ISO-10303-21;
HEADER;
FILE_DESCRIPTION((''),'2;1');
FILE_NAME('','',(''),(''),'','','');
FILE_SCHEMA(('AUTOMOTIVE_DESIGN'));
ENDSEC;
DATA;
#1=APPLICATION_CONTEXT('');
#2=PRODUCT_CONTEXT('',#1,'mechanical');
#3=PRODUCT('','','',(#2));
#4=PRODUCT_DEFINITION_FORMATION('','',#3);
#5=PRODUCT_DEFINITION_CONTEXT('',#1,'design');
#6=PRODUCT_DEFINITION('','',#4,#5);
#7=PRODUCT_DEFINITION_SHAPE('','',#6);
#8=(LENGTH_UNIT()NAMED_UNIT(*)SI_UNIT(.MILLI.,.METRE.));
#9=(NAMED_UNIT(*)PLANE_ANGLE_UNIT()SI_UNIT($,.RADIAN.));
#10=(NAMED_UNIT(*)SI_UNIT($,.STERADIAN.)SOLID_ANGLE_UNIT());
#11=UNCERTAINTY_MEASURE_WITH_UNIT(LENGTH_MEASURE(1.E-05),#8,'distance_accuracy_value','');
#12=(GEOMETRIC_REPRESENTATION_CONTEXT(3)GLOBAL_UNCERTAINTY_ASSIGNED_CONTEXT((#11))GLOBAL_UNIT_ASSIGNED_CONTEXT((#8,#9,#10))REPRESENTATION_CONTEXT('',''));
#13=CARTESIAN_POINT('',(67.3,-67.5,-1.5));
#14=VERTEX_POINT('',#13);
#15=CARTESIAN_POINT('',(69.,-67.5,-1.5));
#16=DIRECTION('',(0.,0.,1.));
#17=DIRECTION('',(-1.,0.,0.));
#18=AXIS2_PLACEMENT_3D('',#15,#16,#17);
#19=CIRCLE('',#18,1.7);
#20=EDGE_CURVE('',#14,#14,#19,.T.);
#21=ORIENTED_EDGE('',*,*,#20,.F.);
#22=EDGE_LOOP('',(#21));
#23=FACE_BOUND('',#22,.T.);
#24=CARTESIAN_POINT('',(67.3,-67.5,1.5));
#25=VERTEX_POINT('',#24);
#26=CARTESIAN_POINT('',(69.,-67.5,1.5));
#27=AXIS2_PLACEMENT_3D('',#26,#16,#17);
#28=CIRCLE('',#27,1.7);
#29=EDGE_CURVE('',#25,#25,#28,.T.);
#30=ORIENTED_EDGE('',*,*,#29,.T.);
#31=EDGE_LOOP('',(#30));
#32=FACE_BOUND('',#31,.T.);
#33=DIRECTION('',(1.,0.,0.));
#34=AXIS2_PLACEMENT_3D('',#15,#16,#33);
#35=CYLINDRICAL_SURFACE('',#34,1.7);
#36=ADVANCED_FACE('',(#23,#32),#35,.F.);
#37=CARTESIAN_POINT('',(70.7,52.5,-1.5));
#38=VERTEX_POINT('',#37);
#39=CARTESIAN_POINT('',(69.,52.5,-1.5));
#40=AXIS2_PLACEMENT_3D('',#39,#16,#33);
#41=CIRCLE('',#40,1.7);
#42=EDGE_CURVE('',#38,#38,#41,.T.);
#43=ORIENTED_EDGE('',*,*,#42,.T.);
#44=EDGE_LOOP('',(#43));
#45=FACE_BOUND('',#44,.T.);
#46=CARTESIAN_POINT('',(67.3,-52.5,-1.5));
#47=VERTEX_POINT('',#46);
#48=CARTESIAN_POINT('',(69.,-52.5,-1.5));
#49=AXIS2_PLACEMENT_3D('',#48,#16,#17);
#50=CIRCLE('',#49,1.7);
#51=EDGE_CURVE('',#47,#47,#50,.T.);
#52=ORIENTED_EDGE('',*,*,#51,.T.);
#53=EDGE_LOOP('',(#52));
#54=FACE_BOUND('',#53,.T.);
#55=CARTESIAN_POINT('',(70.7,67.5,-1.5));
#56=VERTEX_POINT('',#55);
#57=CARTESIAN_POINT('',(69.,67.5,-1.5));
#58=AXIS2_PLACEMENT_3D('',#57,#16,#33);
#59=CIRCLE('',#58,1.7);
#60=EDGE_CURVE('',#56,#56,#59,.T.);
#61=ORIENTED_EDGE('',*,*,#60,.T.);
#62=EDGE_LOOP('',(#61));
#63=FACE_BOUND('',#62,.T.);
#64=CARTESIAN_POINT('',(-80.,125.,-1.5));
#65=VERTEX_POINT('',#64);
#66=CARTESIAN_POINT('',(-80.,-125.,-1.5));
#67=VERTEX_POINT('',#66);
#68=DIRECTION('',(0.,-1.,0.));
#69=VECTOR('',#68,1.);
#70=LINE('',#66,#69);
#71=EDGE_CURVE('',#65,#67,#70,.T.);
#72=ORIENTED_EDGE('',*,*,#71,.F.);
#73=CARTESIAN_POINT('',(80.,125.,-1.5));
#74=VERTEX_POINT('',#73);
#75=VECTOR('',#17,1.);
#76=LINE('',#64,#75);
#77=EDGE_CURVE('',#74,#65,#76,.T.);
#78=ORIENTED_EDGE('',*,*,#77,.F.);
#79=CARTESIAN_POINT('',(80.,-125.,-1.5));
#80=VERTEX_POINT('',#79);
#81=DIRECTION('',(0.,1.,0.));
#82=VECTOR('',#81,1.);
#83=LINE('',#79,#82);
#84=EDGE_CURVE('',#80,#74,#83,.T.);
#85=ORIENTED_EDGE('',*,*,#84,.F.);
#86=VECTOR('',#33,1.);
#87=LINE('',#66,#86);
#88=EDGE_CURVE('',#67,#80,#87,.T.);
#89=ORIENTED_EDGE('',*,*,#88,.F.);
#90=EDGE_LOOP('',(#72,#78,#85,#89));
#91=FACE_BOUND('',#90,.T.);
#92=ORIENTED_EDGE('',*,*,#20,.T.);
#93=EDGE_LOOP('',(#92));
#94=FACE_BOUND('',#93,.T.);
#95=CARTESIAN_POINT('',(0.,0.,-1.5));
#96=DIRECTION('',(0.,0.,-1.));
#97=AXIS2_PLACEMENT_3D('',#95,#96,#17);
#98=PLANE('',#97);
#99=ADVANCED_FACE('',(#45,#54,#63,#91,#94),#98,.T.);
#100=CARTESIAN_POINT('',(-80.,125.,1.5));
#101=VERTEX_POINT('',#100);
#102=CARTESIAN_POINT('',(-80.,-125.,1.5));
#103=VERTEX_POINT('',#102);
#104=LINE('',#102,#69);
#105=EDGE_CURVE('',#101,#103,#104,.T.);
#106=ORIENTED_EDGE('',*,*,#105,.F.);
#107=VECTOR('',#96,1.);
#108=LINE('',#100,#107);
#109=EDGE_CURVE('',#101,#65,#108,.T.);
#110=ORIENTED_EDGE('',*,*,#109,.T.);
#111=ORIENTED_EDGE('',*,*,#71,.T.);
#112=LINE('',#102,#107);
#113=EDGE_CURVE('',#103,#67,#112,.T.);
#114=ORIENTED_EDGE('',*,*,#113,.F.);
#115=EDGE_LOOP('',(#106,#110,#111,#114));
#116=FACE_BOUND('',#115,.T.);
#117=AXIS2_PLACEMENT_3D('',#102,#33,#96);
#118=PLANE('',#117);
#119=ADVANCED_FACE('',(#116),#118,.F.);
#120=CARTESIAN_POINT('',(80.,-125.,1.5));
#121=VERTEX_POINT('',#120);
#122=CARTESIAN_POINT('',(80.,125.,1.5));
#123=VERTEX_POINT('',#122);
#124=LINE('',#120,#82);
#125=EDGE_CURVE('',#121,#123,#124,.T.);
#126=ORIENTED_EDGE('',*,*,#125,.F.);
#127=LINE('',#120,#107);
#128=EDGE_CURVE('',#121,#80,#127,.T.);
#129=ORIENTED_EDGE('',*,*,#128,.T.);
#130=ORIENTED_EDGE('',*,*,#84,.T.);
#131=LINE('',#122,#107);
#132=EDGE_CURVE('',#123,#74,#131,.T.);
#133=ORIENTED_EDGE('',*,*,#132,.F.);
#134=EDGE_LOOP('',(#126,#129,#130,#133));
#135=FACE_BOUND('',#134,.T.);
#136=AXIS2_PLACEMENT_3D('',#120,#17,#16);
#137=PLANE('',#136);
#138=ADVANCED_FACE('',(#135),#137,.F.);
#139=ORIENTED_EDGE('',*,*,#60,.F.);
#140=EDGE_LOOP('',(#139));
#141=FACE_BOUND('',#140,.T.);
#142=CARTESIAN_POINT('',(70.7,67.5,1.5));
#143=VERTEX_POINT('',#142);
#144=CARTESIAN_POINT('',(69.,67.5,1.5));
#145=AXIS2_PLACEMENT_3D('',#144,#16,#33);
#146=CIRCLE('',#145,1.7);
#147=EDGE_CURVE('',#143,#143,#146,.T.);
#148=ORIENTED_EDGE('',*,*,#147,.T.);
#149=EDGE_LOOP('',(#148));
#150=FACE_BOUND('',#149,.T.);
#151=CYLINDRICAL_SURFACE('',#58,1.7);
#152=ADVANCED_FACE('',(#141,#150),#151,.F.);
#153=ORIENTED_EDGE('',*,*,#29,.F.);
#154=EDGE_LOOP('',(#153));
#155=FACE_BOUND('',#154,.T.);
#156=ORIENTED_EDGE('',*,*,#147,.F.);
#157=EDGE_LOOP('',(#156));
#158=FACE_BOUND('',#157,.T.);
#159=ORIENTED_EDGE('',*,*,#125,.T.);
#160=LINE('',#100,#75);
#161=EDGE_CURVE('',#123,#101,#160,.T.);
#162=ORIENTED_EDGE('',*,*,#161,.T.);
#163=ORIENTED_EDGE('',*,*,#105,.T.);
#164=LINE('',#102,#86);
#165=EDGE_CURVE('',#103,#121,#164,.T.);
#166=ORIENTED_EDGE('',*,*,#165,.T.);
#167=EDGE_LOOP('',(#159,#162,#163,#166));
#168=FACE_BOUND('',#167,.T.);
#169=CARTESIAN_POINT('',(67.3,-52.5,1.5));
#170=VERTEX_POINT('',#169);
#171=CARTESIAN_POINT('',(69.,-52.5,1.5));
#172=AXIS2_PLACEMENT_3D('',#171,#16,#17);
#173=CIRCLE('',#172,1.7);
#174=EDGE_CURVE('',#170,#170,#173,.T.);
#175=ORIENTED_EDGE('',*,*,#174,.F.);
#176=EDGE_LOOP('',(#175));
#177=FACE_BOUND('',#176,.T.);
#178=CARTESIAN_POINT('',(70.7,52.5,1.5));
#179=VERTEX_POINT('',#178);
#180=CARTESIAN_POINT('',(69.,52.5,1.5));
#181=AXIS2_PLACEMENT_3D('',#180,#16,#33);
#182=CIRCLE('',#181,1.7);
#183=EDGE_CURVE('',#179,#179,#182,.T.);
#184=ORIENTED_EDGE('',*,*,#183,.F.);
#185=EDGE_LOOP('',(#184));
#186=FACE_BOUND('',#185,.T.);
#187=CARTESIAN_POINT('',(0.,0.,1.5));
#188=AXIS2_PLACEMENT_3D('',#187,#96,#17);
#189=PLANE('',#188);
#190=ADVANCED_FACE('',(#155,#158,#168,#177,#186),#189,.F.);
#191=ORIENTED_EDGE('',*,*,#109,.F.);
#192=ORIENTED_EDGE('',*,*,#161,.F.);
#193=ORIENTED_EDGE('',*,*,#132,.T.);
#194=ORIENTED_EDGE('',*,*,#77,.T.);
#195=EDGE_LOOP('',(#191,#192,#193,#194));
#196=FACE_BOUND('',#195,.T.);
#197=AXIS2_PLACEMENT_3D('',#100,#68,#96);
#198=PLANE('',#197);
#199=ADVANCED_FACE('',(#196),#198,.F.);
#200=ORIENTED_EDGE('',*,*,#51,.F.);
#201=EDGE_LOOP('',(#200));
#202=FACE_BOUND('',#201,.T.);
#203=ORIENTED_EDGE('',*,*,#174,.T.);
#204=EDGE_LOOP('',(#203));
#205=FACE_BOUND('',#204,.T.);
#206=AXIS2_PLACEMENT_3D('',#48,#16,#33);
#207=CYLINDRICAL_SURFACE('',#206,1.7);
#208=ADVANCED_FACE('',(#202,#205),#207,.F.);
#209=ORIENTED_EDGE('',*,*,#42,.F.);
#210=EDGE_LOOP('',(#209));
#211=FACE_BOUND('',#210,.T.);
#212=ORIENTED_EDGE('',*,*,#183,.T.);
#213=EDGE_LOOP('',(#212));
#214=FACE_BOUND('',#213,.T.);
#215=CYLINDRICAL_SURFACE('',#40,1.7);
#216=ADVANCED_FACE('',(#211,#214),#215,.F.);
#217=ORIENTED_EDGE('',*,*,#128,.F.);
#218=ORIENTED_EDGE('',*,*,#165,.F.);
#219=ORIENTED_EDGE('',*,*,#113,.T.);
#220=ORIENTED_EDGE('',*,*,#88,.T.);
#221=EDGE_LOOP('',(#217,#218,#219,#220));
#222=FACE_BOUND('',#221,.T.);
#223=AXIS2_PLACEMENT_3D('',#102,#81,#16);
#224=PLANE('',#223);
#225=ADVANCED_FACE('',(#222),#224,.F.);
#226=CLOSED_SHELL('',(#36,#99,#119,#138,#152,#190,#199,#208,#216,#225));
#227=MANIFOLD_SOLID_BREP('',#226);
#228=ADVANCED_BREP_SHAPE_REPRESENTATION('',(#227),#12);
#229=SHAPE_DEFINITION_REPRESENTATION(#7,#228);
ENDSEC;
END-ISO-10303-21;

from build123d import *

# Parameters (mm, degrees)
ESQUISSE1_W             = 160
ESQUISSE1_H             = 250
BOSS_EXTRU_1_DEPTH      = 1.5
ESQUISSE2_R             = 1.7
ENL_V_MAT_EXTRU_1_DEPTH = 4


with BuildPart() as part:
    # Esquisse1 → Boss.-Extru.1 (new body, symmetric)
    with BuildSketch(Plane.XY):
        Rectangle(ESQUISSE1_W, ESQUISSE1_H)
    extrude(amount=BOSS_EXTRU_1_DEPTH, both=True)

    # Esquisse2 → Enlèv. mat.-Extru.1 (cut, through all)
    with BuildSketch(Plane.XY.offset(1.5)):
        with Locations((69, 67.5)):
            Circle(ESQUISSE2_R)
        with Locations((69, 52.5)):
            Circle(ESQUISSE2_R)
        with Locations((69, -52.5)):
            Circle(ESQUISSE2_R)
        with Locations((69, -67.5)):
            Circle(ESQUISSE2_R)
    extrude(amount=-ENL_V_MAT_EXTRU_1_DEPTH, mode=Mode.SUBTRACT)


solid = part.part
